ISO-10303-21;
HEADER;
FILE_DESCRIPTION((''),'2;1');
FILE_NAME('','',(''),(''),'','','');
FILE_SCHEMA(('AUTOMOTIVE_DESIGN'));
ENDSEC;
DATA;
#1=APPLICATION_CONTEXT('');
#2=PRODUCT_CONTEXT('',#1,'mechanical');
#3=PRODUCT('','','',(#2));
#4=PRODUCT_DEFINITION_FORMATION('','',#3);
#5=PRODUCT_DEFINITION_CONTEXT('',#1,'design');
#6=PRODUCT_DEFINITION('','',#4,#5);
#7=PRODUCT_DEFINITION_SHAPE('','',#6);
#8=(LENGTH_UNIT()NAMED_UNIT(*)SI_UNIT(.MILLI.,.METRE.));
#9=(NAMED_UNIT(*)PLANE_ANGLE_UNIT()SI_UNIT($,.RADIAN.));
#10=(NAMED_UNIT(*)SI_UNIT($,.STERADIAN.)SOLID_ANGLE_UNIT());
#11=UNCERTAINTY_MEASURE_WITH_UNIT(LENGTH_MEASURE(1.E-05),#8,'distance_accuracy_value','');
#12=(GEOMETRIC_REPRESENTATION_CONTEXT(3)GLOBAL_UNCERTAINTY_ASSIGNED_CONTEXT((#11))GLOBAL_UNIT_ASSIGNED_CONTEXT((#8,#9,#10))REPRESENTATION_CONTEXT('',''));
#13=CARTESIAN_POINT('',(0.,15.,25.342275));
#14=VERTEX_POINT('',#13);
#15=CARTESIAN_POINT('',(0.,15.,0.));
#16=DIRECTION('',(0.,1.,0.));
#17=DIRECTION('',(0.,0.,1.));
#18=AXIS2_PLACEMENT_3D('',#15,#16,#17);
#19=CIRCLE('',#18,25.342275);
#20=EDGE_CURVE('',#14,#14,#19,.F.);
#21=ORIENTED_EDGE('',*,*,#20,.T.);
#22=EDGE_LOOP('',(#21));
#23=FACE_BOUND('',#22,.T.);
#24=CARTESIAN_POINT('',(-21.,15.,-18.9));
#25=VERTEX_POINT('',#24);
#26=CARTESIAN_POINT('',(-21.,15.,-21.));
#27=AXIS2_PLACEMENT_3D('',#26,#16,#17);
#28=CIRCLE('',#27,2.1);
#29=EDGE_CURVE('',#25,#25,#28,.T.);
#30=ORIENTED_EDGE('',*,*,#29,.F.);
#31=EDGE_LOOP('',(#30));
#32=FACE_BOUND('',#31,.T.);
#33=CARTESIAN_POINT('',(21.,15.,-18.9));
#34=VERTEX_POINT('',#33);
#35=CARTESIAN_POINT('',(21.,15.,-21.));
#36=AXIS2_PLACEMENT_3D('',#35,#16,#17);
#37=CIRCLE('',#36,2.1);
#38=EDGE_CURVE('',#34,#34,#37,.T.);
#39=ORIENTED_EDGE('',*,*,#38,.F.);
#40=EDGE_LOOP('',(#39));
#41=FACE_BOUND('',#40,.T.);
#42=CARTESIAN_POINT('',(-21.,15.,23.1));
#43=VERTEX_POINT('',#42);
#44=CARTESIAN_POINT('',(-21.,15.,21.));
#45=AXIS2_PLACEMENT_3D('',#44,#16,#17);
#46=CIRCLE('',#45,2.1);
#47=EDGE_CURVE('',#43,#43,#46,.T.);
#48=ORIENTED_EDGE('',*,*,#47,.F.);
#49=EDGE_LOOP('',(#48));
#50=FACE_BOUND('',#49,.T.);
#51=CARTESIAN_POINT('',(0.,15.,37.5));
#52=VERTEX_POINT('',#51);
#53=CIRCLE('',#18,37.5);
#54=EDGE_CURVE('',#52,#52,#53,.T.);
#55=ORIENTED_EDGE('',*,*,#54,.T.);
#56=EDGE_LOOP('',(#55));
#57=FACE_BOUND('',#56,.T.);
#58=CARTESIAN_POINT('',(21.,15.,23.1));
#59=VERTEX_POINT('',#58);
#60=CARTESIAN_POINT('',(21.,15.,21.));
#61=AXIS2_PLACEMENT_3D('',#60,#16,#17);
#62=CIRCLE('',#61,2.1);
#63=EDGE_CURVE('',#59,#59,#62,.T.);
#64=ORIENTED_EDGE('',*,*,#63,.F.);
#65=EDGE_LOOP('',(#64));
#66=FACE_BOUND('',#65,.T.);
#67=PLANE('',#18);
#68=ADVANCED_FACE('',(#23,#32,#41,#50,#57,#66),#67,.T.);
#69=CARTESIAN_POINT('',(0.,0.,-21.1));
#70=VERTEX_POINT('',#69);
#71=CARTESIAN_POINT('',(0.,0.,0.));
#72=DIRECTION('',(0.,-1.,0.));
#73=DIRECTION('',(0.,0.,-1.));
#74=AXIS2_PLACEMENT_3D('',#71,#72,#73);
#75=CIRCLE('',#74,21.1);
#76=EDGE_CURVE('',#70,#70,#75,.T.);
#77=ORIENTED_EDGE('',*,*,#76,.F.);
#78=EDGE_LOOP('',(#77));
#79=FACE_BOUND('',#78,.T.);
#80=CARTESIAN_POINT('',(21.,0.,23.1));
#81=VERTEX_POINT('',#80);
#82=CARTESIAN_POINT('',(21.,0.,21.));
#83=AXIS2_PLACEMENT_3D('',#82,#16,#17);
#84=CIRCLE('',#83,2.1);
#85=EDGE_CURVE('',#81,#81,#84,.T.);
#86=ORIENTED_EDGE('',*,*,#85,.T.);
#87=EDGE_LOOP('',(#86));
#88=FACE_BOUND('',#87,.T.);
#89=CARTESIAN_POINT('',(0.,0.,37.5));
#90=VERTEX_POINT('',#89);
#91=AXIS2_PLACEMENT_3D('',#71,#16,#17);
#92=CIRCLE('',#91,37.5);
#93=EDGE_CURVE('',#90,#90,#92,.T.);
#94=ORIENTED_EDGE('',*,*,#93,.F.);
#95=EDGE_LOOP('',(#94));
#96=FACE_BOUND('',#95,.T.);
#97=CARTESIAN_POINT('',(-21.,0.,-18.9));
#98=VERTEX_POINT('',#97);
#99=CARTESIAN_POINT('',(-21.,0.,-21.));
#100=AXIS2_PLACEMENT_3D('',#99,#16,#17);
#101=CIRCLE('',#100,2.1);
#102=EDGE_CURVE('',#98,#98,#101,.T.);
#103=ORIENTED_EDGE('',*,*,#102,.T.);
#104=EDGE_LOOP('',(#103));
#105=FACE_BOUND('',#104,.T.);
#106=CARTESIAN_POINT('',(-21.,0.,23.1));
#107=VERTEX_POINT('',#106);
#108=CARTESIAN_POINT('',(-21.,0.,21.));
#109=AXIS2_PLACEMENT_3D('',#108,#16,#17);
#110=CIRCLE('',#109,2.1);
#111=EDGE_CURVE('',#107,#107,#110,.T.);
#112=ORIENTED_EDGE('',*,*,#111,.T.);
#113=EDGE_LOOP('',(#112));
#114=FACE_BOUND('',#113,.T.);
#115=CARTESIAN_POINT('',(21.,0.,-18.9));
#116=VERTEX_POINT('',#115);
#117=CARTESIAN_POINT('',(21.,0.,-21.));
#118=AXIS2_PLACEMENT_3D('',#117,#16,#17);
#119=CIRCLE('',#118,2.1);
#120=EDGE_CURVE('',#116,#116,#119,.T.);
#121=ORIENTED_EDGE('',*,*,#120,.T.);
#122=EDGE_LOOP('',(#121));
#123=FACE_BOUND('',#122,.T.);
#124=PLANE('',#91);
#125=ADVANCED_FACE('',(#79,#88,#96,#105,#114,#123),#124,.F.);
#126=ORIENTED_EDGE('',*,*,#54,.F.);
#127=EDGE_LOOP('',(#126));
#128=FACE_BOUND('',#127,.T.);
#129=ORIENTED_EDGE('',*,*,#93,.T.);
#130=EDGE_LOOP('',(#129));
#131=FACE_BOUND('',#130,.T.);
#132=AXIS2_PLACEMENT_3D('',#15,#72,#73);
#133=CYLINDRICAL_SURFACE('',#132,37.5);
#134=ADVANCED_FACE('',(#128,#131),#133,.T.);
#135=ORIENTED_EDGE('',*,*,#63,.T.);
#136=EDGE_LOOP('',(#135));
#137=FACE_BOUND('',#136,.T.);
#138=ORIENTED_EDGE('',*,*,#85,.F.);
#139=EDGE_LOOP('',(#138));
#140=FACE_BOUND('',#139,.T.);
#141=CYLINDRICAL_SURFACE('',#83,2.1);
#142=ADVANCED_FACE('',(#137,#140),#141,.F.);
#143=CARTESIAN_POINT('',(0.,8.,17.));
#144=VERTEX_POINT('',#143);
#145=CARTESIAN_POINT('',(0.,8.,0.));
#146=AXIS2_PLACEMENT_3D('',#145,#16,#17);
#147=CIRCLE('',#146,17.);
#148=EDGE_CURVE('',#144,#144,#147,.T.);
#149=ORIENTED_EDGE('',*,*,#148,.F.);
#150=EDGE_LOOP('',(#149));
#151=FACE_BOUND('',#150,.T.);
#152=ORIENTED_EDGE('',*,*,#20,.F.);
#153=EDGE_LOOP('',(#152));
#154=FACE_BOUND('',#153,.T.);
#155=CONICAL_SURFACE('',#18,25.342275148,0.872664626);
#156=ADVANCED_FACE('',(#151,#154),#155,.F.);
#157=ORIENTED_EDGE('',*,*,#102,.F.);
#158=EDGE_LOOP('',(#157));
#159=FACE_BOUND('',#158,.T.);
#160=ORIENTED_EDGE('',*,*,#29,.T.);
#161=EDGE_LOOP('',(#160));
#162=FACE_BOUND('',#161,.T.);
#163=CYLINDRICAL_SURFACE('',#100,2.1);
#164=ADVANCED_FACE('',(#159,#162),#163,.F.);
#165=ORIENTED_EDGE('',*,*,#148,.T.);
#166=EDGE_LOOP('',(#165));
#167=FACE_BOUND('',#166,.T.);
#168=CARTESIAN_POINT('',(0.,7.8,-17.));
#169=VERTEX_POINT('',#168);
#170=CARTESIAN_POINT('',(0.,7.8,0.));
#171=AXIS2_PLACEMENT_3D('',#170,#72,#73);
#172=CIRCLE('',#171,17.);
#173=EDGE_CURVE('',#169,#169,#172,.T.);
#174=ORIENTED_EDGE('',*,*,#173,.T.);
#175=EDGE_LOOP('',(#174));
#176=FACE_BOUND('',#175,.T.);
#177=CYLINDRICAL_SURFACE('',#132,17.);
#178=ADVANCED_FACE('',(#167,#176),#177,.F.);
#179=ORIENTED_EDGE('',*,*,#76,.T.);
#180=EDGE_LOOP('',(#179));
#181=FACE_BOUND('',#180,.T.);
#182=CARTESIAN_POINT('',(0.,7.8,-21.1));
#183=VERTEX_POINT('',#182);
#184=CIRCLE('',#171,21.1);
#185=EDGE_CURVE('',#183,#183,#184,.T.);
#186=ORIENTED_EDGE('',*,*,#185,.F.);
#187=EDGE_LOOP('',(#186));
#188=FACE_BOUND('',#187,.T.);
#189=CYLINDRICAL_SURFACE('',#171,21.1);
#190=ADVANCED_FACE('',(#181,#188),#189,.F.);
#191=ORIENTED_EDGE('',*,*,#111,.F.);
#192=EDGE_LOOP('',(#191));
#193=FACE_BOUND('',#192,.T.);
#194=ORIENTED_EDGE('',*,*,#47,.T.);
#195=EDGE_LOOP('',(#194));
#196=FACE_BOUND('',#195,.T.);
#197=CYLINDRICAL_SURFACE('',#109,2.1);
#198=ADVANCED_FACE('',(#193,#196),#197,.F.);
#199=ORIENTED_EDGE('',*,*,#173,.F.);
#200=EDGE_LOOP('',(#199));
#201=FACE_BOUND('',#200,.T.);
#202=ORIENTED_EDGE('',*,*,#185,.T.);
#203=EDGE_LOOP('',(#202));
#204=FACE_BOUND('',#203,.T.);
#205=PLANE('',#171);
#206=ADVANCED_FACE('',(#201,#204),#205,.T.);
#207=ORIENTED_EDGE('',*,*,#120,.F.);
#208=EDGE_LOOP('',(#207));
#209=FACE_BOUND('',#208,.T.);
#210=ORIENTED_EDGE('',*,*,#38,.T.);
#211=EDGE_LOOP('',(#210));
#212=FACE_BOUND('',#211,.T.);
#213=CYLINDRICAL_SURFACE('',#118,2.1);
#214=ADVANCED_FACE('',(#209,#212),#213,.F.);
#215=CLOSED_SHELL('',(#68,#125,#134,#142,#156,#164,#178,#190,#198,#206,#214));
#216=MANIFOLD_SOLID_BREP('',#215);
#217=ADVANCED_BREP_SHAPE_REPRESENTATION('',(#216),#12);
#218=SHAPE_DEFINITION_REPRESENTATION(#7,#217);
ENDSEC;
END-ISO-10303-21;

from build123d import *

# Parameters (mm, degrees)
SKETCH1_R           = 37.5
BOSS_EXTRUDE1_DEPTH = 15
SKETCH2_R           = 21.1
CUT_EXTRUDE1_DEPTH  = 7.8
SKETCH3_R           = 17
CUT_EXTRUDE2_DEPTH  = 8.2
SKETCH4_R           = 2.1
CUT_EXTRUDE3_DEPTH  = 16
CHAMFER1_SIZE       = 7
CHAMFER1_SIZE2      = 8.342275148


with BuildPart() as part:
    # Sketch1 → Boss-Extrude1 (new body)
    with BuildSketch(Plane(origin=(0, 0, 0), x_dir=(1, 0, 0), z_dir=(0, 1, 0))):
        with Locations(Location((0, 0, 0), (0, 0, 270))):  # turned: the seam where the file's is
            Circle(SKETCH1_R)
    extrude(amount=BOSS_EXTRUDE1_DEPTH)

    # Sketch2 → Cut-Extrude1 (cut)
    with BuildSketch(Plane.XZ):
        with Locations(Location((0, 0, 0), (0, 0, 270))):  # turned: the seam where the file's is
            Circle(SKETCH2_R)
    extrude(amount=-CUT_EXTRUDE1_DEPTH, mode=Mode.SUBTRACT)

    # Sketch3 → Cut-Extrude2 (cut, through all)
    with BuildSketch(Plane.XZ.offset(-7.8)):
        with Locations(Location((0, 0, 0), (0, 0, 270))):  # turned: the seam where the file's is
            Circle(SKETCH3_R)
    extrude(amount=-CUT_EXTRUDE2_DEPTH, mode=Mode.SUBTRACT)

    # Sketch4 → Cut-Extrude3 (cut, through all)
    with BuildSketch(Plane(origin=(0, 15, 0), x_dir=(1, 0, 0), z_dir=(0, 1, 0))):
        with Locations(Location((-21, -21, 0), (0, 0, 270))):  # turned: the seam where the file's is
            Circle(SKETCH4_R)
        with Locations(Location((-21, 21, 0), (0, 0, 270))):  # turned: the seam where the file's is
            Circle(SKETCH4_R)
        with Locations(Location((21, 21, 0), (0, 0, 270))):  # turned: the seam where the file's is
            Circle(SKETCH4_R)
        with Locations(Location((21, -21, 0), (0, 0, 270))):  # turned: the seam where the file's is
            Circle(SKETCH4_R)
    extrude(amount=-CUT_EXTRUDE3_DEPTH, mode=Mode.SUBTRACT)

    # Chamfer1
    chamfer1_edges = [part.edges().sort_by_distance(p)[0] for p in [
        (0, 15, 17),
    ]]
    chamfer1_side = [part.faces().sort_by_distance(p)[0] for p in [
        (0, 11.4, 17),
    ]]
    chamfer(chamfer1_edges, length=CHAMFER1_SIZE, length2=CHAMFER1_SIZE2, reference=chamfer1_side[0])


solid = part.part
